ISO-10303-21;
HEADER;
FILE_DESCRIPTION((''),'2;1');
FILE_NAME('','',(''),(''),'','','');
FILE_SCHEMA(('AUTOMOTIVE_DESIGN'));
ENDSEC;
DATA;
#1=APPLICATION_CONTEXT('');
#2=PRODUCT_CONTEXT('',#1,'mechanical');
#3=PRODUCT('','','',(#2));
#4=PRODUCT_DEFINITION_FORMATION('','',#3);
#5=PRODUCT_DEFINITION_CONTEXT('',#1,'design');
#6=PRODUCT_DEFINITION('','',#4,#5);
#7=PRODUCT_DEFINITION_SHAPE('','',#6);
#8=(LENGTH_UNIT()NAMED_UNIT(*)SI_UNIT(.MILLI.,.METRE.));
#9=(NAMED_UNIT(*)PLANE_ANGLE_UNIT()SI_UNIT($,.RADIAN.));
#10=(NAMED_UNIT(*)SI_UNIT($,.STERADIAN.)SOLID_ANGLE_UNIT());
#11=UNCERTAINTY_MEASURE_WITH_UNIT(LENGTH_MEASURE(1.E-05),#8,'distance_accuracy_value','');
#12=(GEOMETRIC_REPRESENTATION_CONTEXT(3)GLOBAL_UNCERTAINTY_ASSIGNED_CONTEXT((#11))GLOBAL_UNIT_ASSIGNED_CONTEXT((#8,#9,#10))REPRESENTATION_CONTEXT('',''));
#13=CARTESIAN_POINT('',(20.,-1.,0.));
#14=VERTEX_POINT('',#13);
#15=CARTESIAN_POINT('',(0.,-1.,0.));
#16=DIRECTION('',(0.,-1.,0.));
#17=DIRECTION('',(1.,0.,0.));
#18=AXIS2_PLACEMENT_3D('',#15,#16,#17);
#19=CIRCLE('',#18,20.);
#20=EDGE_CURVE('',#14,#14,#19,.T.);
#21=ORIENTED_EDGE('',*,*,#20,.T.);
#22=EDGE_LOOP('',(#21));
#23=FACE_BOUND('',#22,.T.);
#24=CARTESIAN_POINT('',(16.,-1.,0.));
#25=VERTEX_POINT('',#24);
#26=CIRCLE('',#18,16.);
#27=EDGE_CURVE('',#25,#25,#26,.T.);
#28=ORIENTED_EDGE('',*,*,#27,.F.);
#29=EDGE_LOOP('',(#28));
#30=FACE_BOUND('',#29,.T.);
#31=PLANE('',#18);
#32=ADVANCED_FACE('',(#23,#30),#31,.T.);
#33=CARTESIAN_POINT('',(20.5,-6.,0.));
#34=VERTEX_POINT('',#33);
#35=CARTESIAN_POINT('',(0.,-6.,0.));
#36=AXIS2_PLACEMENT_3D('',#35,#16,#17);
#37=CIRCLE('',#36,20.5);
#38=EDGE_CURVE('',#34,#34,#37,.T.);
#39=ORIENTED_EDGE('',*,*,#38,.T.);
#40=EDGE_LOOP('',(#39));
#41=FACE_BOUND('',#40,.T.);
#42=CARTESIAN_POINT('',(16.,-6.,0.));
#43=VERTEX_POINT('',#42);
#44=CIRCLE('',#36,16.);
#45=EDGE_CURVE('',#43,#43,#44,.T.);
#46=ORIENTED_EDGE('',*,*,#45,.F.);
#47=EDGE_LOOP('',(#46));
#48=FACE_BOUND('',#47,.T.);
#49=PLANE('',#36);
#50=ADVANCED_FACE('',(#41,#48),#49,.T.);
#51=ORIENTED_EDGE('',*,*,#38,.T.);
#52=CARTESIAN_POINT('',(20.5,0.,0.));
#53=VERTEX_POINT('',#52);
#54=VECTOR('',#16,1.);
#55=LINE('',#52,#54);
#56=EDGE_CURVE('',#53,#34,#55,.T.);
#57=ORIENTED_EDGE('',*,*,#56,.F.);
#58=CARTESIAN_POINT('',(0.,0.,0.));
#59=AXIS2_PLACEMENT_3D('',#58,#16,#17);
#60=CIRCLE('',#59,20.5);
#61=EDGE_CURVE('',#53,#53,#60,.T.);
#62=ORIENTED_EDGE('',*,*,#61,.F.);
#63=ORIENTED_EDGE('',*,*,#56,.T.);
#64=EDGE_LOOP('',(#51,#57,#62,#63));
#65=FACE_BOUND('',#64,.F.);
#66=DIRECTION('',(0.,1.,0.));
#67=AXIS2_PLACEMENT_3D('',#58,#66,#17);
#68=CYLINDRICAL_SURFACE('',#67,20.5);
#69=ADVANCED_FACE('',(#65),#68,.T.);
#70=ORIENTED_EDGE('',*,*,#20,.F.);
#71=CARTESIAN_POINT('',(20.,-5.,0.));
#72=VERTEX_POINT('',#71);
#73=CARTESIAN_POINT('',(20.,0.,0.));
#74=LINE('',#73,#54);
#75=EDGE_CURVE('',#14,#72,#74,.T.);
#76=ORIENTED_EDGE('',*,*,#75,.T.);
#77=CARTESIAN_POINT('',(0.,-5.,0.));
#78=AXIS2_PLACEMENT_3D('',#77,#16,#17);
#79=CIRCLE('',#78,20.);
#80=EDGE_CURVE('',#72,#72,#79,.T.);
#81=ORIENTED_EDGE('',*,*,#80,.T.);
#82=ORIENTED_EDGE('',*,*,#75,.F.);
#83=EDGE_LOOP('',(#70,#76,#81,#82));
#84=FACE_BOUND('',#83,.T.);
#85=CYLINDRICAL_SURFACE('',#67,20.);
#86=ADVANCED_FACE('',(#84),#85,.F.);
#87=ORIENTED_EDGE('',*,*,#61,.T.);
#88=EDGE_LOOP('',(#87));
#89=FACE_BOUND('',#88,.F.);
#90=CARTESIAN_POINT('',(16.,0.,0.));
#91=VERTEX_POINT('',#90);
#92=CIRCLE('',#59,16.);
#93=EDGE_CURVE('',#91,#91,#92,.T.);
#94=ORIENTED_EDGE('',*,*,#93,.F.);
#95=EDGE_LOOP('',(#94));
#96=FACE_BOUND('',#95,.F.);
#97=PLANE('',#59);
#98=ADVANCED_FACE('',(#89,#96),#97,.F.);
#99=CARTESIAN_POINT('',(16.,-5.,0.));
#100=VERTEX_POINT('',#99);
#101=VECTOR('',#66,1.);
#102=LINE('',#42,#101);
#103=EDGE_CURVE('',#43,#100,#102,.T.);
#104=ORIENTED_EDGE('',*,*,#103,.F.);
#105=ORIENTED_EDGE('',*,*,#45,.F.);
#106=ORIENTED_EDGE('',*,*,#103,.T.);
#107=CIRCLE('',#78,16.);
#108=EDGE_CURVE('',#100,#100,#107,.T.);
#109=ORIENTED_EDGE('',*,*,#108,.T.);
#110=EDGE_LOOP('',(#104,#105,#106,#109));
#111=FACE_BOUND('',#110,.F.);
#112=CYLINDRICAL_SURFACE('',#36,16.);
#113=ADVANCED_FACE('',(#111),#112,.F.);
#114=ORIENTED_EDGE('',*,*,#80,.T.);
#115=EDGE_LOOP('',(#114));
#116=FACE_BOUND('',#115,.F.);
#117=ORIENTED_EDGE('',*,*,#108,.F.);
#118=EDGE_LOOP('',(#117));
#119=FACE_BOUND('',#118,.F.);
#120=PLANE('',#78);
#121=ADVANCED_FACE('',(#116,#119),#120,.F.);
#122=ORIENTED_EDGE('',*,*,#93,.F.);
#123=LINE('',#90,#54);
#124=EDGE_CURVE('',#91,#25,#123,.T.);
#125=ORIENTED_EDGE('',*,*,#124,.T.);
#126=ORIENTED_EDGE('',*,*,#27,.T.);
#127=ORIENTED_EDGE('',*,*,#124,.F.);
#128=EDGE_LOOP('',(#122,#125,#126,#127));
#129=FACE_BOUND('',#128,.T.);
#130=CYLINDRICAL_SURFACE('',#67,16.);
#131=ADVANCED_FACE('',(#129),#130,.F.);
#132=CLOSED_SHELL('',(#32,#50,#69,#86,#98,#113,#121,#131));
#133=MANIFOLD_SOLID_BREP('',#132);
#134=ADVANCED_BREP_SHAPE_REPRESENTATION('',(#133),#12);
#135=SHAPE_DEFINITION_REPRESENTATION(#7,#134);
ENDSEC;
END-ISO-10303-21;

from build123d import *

# Parameters (mm, degrees)
F0_R     = 20.5
F0_R_2   = 20
F1_DEPTH = 6
F0_R_3   = 16
F2_DEPTH = 1
F3_R     = 20
F3_R_2   = 16
F4_DEPTH = 1


with BuildPart() as f1:
    # F0 (on Front) → F1 (new body)
    with BuildSketch(Plane.XZ):
        Circle(F0_R)
        Circle(F0_R_2, mode=Mode.SUBTRACT)
    extrude(amount=F1_DEPTH)

    # F0 (on Front) → F2 (join)
    with BuildSketch(Plane.XZ):
        Circle(F0_R_2)
        Circle(F0_R_3, mode=Mode.SUBTRACT)
    extrude(amount=F2_DEPTH)

    # F3 (on face) → F4 (join)
    with BuildSketch(Plane.XZ.offset(6)):
        Circle(F3_R)
        Circle(F3_R_2, mode=Mode.SUBTRACT)
    extrude(amount=-F4_DEPTH)


solid = f1.part
